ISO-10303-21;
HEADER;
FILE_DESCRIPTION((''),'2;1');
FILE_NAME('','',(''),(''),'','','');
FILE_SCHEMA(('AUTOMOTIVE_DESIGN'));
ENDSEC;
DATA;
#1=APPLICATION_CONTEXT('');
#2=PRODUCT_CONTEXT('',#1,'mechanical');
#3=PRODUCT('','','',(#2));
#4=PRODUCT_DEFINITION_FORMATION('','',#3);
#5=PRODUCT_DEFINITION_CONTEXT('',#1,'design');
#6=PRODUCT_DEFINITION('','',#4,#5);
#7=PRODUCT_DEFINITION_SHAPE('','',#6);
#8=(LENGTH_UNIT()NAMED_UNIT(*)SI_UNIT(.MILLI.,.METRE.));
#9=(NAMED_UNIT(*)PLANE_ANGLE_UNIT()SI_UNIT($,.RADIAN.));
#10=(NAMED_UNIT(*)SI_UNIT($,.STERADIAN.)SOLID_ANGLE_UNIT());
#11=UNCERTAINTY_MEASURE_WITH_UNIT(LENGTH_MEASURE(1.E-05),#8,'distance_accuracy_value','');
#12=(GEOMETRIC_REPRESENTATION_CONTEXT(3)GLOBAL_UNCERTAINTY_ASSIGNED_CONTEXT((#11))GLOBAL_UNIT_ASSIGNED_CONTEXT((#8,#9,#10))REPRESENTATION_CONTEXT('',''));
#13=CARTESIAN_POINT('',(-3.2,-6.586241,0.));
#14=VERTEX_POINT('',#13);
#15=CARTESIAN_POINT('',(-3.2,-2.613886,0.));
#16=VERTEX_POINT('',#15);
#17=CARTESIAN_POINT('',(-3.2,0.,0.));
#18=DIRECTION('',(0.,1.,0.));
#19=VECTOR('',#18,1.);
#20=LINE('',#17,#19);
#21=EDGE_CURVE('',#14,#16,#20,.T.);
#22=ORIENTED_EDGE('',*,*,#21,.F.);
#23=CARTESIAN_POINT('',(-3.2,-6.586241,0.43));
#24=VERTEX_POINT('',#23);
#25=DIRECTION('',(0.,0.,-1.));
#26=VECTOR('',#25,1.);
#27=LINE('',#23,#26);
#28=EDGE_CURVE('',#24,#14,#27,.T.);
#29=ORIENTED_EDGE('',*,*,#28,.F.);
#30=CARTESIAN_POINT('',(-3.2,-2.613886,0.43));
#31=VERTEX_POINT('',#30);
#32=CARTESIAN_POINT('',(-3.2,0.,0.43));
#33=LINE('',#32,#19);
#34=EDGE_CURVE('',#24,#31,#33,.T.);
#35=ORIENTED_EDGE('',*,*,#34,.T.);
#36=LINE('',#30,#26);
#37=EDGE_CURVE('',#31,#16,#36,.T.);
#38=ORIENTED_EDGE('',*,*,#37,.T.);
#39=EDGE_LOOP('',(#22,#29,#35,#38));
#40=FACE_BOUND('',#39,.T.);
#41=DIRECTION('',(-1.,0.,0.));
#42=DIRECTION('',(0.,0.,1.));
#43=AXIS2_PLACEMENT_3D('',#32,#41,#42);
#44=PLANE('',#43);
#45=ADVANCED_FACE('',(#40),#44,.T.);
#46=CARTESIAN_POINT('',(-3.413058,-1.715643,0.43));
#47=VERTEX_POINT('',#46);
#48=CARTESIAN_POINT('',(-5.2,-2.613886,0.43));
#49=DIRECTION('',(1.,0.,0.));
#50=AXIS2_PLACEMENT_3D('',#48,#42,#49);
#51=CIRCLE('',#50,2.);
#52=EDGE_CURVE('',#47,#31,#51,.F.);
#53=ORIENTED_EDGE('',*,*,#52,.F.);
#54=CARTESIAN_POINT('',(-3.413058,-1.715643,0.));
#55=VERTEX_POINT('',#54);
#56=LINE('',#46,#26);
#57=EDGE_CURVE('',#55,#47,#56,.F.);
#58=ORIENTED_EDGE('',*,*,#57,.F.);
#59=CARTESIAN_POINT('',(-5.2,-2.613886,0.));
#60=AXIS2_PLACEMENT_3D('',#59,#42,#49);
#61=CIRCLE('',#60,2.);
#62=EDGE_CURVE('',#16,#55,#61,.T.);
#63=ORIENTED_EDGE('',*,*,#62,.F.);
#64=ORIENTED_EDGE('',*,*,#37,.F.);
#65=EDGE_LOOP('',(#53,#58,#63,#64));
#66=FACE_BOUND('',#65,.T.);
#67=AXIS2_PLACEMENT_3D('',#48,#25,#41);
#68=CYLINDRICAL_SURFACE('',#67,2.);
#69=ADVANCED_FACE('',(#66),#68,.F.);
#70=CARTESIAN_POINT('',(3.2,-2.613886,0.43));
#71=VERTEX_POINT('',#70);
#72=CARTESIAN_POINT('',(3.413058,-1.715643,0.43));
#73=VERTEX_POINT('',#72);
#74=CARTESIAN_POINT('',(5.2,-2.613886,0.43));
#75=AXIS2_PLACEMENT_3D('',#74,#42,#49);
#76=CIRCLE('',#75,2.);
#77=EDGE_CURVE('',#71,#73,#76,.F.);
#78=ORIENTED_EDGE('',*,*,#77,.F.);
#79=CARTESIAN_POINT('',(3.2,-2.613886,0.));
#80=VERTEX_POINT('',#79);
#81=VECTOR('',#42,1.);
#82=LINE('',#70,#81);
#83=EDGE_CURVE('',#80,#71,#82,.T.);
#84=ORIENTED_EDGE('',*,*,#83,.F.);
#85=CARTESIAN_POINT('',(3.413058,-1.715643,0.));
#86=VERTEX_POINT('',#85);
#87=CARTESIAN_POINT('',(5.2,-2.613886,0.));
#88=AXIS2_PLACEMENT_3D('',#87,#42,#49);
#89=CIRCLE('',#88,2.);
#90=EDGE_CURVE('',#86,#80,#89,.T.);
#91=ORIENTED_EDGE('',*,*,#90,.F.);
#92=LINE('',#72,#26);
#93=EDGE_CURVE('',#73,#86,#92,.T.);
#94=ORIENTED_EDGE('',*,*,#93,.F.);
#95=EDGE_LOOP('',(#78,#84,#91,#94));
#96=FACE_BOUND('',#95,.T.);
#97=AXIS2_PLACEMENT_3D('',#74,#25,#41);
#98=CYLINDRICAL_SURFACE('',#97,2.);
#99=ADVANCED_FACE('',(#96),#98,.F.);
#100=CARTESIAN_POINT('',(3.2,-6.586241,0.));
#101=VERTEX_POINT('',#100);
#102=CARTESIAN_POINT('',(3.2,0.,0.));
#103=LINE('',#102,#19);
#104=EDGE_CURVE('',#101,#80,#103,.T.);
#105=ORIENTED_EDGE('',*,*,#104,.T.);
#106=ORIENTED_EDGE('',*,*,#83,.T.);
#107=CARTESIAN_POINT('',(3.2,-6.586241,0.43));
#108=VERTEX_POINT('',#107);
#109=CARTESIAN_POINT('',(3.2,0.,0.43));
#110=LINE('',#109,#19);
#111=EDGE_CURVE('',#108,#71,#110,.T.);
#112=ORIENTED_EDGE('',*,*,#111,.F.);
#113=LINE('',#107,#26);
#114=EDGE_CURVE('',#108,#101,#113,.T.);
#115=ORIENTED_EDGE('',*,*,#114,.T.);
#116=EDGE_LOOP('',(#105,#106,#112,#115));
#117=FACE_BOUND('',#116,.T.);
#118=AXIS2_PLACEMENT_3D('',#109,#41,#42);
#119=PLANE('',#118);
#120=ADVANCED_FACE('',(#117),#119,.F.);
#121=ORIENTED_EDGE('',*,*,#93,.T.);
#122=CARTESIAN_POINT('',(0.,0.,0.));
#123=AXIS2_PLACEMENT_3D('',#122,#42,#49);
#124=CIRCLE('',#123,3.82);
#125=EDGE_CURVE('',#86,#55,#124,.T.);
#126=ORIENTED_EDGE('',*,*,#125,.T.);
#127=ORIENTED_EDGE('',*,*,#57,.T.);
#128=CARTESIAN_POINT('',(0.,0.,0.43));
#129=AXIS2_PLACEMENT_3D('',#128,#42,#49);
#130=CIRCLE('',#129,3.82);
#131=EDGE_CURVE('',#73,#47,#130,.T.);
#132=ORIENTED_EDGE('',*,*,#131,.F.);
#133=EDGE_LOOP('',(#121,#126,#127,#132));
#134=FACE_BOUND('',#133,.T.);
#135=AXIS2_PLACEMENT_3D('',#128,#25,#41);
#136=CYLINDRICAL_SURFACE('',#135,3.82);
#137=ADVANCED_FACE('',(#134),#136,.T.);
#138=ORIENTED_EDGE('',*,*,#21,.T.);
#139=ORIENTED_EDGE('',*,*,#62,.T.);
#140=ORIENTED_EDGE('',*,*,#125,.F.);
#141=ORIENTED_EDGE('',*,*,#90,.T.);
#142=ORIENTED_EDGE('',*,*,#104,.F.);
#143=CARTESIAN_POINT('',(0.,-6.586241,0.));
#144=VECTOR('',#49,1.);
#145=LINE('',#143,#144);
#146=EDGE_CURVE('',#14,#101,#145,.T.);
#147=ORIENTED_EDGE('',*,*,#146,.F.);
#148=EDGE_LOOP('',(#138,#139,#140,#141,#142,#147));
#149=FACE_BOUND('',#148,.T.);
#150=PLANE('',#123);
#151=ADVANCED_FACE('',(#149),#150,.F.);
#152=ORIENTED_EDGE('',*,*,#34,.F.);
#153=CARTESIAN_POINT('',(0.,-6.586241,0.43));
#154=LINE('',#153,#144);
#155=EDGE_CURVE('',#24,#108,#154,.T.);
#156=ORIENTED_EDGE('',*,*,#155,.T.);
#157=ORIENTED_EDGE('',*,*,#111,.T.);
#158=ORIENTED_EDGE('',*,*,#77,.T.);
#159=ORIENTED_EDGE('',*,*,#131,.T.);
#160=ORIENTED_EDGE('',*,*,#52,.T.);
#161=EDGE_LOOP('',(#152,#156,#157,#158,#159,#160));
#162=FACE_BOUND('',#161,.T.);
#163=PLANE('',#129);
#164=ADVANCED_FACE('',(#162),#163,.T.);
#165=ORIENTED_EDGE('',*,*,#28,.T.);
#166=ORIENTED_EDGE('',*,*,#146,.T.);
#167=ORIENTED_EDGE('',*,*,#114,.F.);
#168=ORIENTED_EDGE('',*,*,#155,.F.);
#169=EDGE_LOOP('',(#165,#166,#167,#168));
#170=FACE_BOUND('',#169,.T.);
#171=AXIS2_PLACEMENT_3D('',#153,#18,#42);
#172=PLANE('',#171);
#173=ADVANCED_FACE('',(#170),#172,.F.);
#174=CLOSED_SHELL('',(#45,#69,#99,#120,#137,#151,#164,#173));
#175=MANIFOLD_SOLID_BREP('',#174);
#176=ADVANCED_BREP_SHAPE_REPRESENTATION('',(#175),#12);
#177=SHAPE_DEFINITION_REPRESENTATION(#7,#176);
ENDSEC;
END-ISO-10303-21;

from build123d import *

# Parameters (mm, degrees)
SKETCH1_R           = 3.82
BOSS_EXTRUDE1_DEPTH = 0.43
FILLET1_R           = 2


with BuildPart() as part:
    # Sketch1 → Boss-Extrude1 (new body)
    with BuildSketch(Plane.XY):
        Circle(SKETCH1_R)
        with BuildLine():
            Line((-3.2, -2.086240638), (-3.2, -6.586240638))
            Line((-3.2, -6.586240638), (3.2, -6.586240638))
            Line((3.2, -6.586240638), (3.2, -2.086240638))
            ThreePointArc((3.2, -2.086240638), (0, -3.82), (-3.2, -2.086240638))
        make_face()
    extrude(amount=BOSS_EXTRUDE1_DEPTH)

    # Fillet1
    fillet1_edges = [part.edges().sort_by_distance(p)[0] for p in [
        (3.2, -2.086240638, 0.215),
        (-3.2, -2.086240638, 0.215),
    ]]
    fillet(fillet1_edges, radius=FILLET1_R)


solid = part.part
